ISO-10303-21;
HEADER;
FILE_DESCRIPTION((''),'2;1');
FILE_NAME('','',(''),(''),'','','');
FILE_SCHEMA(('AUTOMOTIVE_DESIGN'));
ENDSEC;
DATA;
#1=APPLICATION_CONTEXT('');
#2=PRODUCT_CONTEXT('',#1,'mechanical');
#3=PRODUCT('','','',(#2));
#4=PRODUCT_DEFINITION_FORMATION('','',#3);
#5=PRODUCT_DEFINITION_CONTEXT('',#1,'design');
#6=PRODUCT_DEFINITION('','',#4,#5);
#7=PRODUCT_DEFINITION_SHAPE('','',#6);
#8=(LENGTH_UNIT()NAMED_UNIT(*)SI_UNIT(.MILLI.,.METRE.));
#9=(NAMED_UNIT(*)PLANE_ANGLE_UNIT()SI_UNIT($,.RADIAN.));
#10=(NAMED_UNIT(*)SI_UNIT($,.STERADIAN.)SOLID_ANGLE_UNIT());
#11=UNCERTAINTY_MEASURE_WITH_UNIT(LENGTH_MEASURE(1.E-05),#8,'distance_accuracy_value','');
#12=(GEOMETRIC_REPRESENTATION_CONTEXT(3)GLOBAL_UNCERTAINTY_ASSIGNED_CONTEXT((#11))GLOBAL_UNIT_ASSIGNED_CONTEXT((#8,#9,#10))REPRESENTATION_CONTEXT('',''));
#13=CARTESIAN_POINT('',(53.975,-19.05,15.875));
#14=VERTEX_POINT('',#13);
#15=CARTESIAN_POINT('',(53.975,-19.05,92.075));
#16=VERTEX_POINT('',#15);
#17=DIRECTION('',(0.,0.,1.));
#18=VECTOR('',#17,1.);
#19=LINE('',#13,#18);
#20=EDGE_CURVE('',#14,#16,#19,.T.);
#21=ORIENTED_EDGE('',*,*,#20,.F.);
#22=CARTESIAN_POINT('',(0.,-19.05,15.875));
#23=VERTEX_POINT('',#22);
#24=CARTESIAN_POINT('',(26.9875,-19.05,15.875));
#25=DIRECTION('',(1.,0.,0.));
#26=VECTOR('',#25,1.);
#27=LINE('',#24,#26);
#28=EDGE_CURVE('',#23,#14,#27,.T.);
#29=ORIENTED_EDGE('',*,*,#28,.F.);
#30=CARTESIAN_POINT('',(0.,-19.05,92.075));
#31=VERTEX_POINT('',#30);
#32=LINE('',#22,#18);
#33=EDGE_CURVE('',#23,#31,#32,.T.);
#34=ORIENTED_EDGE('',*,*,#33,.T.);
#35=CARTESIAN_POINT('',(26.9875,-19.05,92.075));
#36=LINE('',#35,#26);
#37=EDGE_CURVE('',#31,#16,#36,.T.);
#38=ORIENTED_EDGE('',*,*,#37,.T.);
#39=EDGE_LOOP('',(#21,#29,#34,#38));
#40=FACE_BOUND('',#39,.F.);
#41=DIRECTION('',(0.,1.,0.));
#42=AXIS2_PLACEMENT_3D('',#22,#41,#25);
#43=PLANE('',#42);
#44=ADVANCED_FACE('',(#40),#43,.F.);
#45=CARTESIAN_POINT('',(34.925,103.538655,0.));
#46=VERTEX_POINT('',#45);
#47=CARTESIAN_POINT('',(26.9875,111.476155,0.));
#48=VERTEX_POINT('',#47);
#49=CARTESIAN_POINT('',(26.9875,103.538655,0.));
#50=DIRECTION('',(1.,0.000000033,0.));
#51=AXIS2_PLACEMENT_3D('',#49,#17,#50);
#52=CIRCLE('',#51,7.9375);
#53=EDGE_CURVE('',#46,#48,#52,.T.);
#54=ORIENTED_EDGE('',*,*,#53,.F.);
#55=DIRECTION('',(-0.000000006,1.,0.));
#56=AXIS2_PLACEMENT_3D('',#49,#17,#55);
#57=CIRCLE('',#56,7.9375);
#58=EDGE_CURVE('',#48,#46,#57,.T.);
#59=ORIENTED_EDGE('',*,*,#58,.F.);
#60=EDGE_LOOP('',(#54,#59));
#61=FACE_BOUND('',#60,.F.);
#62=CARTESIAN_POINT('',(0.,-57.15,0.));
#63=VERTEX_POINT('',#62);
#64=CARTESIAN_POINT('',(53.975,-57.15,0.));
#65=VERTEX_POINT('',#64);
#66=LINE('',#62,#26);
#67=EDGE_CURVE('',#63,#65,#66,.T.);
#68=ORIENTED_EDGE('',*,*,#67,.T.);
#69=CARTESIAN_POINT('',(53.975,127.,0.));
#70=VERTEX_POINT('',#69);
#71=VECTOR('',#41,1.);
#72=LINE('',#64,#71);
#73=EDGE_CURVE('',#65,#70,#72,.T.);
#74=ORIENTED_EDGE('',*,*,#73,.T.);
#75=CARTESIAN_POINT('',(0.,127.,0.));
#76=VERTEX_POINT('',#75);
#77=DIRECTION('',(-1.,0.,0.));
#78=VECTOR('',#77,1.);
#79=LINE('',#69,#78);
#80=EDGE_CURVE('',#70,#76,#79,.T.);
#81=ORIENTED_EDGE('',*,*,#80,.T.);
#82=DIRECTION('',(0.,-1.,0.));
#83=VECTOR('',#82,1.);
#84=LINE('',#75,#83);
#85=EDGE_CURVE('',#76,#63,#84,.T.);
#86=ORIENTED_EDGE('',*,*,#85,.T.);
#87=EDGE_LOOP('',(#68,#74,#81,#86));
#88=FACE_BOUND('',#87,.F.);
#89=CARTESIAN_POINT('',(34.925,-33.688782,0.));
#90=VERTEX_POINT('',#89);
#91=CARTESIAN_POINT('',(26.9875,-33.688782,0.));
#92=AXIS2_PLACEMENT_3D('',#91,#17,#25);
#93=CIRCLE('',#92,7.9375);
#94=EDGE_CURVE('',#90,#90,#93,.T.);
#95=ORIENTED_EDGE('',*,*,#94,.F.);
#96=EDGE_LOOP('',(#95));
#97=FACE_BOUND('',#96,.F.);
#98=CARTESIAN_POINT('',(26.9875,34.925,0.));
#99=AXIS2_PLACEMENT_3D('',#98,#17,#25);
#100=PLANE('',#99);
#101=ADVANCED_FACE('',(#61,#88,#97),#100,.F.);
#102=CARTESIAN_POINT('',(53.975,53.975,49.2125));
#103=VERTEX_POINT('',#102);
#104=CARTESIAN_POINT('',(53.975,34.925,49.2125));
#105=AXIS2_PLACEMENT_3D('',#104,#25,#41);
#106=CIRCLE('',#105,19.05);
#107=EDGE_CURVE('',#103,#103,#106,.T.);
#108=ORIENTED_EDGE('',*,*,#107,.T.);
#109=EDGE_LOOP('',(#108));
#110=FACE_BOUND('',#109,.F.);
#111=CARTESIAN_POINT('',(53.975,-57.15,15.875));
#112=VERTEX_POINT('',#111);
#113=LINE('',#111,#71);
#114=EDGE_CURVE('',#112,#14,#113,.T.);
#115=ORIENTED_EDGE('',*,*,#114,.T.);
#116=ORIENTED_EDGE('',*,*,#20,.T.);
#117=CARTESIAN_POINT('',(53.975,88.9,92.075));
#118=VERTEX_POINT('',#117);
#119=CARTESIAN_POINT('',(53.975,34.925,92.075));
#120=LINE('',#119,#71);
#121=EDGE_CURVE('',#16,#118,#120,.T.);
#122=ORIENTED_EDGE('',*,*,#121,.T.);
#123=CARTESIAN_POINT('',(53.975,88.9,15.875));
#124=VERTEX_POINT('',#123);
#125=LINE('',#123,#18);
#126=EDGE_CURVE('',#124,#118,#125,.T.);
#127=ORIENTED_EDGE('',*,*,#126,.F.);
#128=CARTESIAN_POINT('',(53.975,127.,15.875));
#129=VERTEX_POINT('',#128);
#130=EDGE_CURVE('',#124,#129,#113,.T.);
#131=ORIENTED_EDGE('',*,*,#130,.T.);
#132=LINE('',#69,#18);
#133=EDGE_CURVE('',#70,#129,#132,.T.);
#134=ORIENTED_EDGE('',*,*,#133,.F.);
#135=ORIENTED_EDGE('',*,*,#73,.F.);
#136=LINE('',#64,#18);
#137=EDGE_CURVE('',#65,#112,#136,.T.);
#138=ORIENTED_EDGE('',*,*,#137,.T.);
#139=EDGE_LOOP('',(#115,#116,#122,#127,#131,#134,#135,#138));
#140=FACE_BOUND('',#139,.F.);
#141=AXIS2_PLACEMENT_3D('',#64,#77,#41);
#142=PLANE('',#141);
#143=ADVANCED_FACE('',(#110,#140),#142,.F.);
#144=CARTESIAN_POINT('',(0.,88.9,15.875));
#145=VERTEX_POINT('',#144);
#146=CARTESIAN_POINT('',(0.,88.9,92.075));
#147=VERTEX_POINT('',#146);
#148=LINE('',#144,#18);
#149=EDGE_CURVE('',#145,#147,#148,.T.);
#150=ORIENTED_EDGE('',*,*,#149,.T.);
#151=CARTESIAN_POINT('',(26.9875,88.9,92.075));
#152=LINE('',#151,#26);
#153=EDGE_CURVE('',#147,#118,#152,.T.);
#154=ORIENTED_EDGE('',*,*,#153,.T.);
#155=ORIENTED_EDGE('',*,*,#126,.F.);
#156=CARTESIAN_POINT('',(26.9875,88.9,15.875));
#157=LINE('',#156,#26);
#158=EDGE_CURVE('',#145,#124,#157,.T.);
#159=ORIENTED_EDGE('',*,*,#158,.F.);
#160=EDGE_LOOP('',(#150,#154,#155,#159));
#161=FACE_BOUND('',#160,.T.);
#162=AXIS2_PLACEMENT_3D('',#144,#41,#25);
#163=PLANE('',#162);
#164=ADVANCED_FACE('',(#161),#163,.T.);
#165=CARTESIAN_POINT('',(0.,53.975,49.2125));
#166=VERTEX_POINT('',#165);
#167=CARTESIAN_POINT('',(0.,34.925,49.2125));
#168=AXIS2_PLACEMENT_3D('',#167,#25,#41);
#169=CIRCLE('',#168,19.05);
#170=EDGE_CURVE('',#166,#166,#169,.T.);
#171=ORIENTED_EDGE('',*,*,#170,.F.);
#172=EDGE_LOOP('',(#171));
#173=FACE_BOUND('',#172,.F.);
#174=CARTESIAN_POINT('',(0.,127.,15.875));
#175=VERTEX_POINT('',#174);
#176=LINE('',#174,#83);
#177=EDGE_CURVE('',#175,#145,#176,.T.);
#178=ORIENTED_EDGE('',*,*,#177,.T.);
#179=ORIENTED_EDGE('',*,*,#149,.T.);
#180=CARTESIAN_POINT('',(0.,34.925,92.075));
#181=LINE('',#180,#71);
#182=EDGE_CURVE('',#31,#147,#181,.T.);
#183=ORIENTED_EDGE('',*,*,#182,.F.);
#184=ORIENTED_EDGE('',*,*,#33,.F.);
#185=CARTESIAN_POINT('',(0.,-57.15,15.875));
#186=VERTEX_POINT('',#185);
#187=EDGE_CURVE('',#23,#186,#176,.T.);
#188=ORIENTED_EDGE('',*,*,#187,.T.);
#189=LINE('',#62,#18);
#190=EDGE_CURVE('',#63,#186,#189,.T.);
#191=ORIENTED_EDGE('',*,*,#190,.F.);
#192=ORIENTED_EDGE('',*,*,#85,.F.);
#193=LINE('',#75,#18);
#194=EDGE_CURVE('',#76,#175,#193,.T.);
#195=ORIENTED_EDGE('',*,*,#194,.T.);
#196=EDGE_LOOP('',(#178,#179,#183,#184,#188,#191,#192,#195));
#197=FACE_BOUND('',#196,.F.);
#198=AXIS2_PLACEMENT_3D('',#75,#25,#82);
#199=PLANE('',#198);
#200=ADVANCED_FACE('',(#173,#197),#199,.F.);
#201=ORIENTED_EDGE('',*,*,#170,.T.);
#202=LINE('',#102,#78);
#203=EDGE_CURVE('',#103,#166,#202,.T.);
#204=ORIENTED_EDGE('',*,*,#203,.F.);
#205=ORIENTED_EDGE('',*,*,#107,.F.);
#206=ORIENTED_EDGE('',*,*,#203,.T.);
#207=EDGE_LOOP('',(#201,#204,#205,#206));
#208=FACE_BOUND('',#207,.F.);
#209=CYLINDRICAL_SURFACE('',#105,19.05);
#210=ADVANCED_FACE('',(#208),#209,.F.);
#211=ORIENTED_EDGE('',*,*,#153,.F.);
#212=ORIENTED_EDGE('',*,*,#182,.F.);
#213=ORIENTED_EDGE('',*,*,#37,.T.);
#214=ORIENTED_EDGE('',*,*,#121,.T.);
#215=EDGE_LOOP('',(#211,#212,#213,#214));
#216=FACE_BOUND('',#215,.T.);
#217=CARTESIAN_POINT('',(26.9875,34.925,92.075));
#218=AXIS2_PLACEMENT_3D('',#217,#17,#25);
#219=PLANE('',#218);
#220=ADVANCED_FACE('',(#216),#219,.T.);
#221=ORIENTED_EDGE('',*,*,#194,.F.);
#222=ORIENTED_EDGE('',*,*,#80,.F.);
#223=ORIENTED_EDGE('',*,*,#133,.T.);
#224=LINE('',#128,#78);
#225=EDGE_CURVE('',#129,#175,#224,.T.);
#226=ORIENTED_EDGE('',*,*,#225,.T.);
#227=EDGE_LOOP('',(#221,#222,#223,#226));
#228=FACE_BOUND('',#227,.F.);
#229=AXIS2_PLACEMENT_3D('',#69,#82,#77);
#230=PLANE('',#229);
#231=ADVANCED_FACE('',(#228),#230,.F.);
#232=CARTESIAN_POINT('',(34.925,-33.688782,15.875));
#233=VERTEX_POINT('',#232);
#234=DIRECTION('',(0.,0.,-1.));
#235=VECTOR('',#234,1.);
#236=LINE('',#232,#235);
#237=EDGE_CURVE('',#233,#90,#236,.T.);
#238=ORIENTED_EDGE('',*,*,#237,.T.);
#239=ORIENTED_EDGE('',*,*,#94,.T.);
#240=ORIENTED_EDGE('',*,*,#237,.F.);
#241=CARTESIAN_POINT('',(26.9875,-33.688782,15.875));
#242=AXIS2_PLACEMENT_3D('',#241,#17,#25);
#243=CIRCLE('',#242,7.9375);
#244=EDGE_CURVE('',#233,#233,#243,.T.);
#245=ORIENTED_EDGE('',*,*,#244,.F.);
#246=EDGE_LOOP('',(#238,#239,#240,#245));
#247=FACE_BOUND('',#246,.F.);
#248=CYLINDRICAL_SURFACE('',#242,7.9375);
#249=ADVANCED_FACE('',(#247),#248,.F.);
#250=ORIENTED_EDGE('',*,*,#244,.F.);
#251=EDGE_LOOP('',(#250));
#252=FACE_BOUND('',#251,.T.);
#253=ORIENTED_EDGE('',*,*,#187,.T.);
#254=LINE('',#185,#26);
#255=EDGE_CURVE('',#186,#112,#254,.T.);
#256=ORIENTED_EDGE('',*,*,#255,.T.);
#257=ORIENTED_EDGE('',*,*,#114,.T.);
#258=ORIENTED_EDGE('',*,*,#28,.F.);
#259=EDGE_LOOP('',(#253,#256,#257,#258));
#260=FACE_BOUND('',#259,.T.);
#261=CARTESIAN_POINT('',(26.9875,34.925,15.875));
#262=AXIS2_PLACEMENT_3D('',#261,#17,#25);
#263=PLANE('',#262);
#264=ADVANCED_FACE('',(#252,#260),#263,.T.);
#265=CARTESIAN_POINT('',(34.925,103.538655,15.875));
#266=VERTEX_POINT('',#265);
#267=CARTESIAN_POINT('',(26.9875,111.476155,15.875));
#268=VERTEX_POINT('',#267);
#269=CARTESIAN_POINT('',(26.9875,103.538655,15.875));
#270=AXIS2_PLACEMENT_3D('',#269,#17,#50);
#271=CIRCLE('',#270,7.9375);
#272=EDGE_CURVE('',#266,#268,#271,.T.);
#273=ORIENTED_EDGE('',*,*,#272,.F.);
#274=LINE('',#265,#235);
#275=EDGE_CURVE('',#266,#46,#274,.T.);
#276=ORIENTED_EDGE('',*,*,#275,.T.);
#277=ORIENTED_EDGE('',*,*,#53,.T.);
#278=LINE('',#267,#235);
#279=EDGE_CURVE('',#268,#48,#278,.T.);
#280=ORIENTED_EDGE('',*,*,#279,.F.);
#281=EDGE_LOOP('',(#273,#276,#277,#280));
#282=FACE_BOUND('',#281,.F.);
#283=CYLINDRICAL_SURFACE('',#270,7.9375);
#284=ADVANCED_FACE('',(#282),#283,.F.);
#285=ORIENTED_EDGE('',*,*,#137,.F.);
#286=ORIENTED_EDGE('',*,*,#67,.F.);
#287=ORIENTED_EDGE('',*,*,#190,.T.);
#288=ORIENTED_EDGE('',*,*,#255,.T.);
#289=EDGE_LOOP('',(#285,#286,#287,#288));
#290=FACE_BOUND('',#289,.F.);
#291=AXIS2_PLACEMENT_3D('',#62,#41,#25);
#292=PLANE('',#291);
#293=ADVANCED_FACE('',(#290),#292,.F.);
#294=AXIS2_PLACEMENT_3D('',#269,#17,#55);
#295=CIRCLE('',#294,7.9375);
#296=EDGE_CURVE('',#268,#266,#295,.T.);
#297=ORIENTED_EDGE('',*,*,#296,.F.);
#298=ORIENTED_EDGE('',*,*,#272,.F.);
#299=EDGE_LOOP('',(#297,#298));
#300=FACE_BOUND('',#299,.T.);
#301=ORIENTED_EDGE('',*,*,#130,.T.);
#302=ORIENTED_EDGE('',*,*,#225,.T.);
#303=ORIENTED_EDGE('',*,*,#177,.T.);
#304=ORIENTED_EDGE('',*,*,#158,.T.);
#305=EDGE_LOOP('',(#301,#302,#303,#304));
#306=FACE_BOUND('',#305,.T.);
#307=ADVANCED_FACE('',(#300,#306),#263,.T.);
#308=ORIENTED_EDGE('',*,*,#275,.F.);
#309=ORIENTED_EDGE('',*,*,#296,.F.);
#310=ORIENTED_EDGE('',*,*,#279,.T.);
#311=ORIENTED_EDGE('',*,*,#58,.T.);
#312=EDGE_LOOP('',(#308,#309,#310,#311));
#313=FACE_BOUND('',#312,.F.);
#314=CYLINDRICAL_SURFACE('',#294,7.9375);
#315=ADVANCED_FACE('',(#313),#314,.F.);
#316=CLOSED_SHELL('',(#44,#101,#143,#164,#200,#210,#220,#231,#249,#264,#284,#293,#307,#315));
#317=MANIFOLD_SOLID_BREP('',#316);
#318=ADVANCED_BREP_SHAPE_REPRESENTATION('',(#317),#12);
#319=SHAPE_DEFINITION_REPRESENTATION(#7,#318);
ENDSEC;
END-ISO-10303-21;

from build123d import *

# Parameters (mm, degrees)
F1_DEPTH = 15.875
F2_W     = 53.975
F2_H     = 107.95
F3_DEPTH = 76.2
F4_R     = 19.05
F5_DEPTH = 76.2
F7_DEPTH = 76.2
F8_R     = 7.9375
F9_DEPTH = 25.4


with BuildPart() as f1:
    # F0 (on Top) → F1 (new body)
    with BuildSketch(Plane.XY):
        Polygon((0, 127), (0, 0), (0, -57.15), (53.975, -57.15), (53.975, 127), align=None)
    extrude(amount=F1_DEPTH)

    # F2 (on face) → F3 (join)
    with BuildSketch(Plane.XY.offset(15.875)):
        with Locations((26.9875, 34.925)):
            Rectangle(F2_W, F2_H)
    extrude(amount=F3_DEPTH)

    # F4 (on face) → F5 (cut)
    with BuildSketch(Plane.YZ.offset(53.975)):
        with Locations((34.925, 49.2125)):
            Circle(F4_R)
    extrude(amount=-F5_DEPTH, mode=Mode.SUBTRACT)

    # F6 (on face) → F7 (cut)
    with BuildSketch(Plane.XY.offset(15.875)):
        with BuildLine():
            ThreePointArc((26.9875, 111.476155), (21.37484, 97.925995), (34.925, 103.538655))
            ThreePointArc((34.925, 103.538655), (32.60016, 109.151315), (26.9875, 111.476155))
        make_face()
    extrude(amount=-F7_DEPTH, mode=Mode.SUBTRACT)

    # F8 (on face) → F9 (cut)
    with BuildSketch(Plane.XY.offset(15.875)):
        with Locations((26.9875, -33.688782)):
            Circle(F8_R)
    extrude(amount=-F9_DEPTH, mode=Mode.SUBTRACT)


solid = f1.part
